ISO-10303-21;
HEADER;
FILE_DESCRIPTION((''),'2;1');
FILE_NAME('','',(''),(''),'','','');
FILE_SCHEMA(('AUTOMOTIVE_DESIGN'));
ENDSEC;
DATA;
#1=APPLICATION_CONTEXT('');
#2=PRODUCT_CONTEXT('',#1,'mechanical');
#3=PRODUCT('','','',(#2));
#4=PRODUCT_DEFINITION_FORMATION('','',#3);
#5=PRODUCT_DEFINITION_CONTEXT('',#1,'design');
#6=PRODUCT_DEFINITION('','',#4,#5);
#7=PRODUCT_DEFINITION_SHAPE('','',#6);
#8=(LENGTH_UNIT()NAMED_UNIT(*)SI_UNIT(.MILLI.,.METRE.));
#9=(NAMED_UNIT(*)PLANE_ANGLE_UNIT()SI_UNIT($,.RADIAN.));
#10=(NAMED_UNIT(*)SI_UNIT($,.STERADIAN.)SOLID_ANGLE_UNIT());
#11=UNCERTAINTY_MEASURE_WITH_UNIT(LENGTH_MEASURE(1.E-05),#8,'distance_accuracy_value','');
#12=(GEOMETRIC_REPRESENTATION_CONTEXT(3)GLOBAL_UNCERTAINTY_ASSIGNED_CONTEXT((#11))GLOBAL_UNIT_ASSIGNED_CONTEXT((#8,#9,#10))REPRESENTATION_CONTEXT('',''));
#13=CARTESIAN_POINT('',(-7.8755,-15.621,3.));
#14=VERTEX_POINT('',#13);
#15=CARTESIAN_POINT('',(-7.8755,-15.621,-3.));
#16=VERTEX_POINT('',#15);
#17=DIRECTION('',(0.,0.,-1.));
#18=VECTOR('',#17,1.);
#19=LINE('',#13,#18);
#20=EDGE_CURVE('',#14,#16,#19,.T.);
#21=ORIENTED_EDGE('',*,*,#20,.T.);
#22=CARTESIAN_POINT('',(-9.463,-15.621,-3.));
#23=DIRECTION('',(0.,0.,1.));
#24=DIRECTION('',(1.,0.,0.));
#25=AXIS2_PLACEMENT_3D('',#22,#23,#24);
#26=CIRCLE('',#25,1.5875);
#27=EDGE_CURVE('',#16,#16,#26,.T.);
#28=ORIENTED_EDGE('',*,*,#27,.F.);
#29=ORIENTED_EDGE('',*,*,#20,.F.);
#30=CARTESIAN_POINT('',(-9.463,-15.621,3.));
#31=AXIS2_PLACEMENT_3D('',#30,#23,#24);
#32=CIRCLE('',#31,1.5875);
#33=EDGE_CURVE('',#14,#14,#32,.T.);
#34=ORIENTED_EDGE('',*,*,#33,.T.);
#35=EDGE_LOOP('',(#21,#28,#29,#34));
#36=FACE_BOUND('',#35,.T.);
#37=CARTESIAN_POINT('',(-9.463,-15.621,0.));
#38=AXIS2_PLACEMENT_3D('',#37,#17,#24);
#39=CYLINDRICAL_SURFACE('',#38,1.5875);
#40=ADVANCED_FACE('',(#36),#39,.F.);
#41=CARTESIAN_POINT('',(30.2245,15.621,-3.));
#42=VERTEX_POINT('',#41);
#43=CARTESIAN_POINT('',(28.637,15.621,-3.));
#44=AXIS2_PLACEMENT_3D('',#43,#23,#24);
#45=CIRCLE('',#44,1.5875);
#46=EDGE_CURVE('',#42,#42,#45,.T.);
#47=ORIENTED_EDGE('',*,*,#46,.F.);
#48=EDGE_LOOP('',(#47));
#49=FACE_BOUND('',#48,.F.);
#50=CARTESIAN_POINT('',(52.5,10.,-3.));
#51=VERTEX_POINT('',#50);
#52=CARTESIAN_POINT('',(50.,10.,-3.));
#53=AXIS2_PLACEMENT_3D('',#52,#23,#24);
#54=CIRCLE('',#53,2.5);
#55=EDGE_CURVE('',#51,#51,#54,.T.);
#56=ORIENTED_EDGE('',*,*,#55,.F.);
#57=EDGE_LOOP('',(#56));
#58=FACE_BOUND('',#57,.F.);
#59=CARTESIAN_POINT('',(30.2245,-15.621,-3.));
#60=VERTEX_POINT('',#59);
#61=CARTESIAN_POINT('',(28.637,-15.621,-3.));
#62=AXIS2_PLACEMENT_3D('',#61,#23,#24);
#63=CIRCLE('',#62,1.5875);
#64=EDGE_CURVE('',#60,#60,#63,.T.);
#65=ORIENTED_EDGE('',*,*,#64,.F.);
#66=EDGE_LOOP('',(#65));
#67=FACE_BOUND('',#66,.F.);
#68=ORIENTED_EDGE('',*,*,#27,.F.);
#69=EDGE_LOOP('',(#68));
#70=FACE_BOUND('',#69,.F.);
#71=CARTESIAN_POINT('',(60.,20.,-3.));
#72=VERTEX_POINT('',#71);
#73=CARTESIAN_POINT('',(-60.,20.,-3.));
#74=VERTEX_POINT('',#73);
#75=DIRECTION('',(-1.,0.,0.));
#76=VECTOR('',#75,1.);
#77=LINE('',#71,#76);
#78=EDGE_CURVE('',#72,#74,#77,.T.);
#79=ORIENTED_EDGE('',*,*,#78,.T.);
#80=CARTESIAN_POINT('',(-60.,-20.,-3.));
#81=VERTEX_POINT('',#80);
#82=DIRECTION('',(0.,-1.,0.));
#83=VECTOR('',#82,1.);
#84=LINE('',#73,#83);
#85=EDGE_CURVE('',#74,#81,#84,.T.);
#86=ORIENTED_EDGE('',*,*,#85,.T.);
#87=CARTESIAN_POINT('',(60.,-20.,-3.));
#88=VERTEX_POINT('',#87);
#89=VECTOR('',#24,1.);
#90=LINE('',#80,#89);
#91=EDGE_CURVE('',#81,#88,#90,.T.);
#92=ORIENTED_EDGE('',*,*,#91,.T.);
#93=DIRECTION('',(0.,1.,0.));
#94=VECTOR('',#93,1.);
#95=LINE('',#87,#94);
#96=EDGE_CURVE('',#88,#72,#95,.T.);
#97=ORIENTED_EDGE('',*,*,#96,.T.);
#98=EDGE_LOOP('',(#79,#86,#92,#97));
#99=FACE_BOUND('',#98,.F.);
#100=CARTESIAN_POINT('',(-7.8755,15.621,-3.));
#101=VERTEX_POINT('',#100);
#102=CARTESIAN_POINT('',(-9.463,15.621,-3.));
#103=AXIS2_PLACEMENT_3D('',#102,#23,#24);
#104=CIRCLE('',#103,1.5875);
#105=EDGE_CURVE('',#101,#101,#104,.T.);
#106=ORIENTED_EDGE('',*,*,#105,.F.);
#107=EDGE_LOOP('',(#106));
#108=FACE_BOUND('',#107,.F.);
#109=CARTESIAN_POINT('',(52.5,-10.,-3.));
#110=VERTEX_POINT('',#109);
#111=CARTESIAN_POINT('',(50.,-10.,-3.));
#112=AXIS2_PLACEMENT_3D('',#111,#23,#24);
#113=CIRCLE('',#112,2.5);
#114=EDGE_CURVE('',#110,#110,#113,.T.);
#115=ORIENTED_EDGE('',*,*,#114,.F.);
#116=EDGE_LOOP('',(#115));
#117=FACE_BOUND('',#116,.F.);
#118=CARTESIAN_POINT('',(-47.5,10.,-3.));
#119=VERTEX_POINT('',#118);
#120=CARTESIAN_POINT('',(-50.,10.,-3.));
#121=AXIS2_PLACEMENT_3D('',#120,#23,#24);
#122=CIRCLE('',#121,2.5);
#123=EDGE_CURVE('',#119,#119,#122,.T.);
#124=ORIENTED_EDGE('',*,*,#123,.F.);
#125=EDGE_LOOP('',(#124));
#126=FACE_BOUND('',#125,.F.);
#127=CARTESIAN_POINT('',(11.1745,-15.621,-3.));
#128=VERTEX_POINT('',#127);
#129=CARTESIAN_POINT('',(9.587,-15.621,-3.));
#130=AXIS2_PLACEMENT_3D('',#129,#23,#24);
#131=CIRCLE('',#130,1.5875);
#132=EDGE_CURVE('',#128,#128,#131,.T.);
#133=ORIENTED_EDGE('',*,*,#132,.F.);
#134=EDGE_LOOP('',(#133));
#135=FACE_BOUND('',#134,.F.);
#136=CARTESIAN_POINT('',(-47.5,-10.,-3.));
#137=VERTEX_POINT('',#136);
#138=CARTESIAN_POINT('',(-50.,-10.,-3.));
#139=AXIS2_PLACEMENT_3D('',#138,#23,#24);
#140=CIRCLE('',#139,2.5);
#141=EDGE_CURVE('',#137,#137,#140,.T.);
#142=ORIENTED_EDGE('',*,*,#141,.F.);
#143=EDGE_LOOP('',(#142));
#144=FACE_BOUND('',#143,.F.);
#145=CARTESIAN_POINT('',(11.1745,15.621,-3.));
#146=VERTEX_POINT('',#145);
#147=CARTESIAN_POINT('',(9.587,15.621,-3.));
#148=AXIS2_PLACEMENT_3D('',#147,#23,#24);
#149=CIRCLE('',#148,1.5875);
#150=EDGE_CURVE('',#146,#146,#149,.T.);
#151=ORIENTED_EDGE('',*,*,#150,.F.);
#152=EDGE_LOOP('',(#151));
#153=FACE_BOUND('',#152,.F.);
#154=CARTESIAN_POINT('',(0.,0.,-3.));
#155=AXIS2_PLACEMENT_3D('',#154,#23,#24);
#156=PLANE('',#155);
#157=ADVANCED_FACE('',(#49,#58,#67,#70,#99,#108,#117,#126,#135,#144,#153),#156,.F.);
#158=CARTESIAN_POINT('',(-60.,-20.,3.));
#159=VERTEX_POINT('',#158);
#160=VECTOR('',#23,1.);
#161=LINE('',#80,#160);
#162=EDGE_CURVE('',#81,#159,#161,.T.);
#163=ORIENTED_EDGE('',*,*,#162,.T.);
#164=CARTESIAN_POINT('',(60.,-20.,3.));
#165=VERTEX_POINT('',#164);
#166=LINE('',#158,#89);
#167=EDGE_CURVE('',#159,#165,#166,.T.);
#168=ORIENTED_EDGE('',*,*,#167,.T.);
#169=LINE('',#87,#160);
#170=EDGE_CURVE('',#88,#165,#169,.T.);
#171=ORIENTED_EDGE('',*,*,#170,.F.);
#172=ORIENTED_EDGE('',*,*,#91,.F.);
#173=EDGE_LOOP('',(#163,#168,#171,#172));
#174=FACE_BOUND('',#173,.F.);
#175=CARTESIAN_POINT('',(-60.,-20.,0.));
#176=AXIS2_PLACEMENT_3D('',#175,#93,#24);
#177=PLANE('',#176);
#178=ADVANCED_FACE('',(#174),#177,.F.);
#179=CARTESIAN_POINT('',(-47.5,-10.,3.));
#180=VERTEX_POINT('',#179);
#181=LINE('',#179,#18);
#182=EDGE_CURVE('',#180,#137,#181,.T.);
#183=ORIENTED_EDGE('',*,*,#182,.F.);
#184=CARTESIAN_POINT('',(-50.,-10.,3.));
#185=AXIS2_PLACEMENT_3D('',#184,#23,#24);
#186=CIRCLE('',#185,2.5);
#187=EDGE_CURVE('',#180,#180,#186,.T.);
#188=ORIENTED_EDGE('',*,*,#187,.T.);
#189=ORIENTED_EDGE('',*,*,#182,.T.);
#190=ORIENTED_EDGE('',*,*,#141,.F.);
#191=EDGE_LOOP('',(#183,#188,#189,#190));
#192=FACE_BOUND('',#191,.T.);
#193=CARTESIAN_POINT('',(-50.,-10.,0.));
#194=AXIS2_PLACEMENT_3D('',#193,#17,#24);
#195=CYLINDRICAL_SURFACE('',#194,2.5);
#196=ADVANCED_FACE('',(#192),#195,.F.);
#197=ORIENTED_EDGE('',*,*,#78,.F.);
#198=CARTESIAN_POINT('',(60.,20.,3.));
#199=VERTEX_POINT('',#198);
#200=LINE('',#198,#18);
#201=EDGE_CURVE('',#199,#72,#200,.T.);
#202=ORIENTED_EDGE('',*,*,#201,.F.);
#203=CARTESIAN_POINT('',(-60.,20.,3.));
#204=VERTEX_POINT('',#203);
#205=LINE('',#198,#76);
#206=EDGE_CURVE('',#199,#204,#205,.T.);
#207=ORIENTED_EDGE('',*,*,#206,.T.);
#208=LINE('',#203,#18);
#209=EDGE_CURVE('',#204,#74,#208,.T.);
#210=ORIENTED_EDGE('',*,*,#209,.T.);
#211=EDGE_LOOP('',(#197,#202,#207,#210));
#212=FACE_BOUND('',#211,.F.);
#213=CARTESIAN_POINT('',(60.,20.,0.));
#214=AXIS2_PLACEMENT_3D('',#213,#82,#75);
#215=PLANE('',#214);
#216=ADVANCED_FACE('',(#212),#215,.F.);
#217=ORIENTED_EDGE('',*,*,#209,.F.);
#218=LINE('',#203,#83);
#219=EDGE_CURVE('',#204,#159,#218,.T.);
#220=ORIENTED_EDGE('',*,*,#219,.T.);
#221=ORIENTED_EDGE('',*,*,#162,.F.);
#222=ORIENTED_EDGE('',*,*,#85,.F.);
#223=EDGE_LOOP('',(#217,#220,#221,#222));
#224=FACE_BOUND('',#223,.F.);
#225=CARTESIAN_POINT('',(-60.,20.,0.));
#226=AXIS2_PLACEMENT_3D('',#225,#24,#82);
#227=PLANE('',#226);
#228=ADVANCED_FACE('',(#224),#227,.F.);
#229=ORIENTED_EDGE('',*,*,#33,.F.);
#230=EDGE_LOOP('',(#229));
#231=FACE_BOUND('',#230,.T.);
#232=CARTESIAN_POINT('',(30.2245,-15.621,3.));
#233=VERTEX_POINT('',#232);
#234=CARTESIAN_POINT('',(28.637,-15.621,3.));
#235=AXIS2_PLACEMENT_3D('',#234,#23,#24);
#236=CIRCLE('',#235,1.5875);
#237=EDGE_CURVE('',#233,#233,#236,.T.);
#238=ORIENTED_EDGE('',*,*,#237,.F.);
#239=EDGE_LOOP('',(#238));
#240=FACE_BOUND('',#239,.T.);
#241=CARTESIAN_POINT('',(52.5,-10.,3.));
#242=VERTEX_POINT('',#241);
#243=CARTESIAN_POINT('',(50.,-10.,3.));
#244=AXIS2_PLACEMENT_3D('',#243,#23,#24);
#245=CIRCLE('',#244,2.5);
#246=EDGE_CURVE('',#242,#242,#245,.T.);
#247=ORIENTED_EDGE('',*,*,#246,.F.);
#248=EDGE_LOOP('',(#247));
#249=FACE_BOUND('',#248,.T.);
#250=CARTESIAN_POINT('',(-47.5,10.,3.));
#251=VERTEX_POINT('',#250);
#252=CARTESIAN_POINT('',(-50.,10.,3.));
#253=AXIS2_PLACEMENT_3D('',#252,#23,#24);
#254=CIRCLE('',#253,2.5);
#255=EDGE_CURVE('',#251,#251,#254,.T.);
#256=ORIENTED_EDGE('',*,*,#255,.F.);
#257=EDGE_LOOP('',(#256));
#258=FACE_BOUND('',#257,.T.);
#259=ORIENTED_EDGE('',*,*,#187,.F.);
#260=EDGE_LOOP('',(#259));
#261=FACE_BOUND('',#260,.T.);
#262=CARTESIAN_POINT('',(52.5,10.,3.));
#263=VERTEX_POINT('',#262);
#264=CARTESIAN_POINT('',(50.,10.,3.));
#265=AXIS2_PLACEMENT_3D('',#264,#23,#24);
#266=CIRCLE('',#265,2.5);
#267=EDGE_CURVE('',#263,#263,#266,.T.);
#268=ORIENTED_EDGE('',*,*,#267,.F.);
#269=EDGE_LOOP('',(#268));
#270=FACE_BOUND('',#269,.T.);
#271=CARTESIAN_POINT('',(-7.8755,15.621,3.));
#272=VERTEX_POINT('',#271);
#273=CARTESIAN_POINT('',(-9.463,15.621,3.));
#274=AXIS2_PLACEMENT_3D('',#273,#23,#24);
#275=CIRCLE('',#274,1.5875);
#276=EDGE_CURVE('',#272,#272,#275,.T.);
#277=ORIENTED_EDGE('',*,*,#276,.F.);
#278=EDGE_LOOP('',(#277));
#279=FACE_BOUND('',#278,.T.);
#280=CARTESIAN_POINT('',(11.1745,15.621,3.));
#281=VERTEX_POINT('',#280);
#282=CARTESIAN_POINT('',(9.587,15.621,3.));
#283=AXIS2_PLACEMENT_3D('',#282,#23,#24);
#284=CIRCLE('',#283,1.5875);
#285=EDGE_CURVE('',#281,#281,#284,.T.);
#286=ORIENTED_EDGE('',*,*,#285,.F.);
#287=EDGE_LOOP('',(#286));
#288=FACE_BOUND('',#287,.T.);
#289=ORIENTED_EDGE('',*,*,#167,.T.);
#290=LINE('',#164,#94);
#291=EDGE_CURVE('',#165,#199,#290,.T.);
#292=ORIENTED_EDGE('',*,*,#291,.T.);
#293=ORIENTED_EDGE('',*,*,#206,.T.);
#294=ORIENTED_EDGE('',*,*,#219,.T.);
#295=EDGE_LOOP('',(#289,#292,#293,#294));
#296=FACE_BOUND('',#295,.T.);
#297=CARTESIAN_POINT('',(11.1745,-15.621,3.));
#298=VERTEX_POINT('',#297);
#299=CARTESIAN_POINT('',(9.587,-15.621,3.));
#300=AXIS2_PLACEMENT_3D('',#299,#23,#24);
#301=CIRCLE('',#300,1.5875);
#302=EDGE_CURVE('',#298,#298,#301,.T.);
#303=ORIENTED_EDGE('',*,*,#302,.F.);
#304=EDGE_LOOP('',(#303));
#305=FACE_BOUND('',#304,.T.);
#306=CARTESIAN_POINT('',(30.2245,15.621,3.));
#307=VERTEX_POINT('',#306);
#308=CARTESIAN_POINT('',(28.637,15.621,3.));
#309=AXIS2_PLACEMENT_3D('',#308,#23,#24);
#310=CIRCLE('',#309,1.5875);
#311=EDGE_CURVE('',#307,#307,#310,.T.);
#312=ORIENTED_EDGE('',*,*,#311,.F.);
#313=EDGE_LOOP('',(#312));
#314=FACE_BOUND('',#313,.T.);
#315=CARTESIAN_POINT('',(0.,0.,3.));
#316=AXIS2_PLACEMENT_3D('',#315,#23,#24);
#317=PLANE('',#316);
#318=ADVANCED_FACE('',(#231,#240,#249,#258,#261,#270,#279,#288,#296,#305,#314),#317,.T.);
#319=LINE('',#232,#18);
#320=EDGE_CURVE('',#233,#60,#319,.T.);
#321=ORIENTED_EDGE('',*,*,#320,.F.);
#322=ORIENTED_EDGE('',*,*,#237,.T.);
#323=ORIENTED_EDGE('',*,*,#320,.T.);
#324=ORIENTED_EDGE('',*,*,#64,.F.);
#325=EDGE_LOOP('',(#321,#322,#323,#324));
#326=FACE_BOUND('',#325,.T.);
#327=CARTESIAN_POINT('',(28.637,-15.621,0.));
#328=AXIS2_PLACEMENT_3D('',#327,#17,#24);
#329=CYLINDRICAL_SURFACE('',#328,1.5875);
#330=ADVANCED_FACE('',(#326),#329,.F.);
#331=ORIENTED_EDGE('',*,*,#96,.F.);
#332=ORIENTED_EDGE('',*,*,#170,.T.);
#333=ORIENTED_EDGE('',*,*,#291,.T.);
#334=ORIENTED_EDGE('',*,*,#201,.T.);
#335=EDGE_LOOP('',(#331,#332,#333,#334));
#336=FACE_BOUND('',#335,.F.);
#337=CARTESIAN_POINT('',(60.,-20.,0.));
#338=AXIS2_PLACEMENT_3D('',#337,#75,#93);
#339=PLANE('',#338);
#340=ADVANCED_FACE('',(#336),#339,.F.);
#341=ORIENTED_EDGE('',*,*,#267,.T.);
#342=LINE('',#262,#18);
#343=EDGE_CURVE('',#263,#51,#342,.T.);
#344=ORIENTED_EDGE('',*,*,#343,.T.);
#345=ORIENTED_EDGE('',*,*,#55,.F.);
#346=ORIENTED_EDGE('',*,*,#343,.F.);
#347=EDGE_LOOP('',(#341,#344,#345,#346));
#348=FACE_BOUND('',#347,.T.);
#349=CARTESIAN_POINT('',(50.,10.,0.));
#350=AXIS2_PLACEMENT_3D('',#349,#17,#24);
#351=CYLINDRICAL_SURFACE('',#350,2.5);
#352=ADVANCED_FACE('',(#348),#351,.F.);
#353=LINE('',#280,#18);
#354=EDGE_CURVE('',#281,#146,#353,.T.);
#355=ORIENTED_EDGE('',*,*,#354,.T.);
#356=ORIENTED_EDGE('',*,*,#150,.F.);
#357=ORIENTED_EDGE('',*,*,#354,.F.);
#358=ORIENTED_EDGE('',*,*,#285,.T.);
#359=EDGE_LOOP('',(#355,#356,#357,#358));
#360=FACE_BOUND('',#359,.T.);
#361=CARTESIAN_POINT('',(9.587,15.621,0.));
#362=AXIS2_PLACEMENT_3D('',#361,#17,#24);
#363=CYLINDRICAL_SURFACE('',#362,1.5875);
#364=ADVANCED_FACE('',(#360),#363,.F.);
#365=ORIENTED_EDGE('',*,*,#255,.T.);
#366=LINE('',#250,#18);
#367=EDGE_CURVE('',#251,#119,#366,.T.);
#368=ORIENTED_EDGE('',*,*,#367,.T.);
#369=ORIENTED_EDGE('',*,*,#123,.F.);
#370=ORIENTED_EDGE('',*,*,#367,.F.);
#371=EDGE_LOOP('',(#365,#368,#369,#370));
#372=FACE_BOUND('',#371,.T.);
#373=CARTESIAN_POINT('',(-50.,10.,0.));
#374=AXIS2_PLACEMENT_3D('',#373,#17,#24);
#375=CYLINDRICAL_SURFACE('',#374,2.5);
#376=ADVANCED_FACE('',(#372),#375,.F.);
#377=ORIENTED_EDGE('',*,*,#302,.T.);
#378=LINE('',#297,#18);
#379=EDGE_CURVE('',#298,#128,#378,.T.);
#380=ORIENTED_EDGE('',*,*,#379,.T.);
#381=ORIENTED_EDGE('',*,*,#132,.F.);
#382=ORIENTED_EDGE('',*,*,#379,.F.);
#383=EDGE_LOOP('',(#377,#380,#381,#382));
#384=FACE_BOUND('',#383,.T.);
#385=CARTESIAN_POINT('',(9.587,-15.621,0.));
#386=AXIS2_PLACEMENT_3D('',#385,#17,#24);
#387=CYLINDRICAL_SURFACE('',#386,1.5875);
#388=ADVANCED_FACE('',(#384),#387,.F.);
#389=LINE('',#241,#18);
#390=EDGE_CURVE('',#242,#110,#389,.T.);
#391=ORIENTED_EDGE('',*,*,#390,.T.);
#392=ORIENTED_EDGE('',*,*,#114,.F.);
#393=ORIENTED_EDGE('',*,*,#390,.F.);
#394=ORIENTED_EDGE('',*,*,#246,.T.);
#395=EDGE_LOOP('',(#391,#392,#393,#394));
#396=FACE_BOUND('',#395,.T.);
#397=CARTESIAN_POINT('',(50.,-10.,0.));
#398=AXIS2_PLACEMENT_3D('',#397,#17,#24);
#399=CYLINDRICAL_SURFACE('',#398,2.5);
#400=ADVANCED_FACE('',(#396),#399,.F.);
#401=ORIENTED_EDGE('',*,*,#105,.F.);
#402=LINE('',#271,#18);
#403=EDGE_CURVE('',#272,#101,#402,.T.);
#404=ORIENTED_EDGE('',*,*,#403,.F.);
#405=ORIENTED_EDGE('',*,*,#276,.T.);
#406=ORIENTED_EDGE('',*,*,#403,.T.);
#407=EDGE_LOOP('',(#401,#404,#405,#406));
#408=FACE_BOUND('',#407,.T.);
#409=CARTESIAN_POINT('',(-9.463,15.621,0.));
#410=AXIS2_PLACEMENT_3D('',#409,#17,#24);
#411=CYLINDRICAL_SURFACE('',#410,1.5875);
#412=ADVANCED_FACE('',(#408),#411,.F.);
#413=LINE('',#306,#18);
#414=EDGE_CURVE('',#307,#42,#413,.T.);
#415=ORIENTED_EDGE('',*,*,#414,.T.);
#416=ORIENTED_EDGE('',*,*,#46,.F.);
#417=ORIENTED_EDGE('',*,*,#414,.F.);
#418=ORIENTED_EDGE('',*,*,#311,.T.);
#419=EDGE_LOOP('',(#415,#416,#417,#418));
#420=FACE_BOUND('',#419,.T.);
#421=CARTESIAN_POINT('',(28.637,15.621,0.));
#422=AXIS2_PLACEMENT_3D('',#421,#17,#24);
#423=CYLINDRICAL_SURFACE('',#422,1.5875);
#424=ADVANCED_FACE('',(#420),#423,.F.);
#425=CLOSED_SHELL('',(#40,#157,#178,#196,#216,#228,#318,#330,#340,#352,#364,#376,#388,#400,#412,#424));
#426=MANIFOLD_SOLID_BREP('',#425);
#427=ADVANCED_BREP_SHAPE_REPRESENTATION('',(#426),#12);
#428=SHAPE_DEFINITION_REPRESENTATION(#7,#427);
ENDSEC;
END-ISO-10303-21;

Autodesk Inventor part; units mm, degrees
ref_plane "YZ Plane" through (0, 0, 0) normal (1, 0, 0) x (0, 1, 0)
ref_plane "XZ Plane" through (0, 0, 0) normal (0, 1, 0) x (-1, 0, 0)
ref_plane "XY Plane" through (0, 0, 0) normal (0, 0, 1) x (1, 0, 0)
sketch "Sketch1" plane through (0, 0, 0) normal (0, 0, 1) x (1, 0, 0)
  line L0 (-60, -20) -> (60, -20)
  line L1 (60, -20) -> (60, 20)
  line L2 (60, 20) -> (-60, 20)
  line L3 (-60, 20) -> (-60, -20)
  line L4 (-60, -20) -> (60, 20) construction
  line L5 (60, -20) -> (-60, 20) construction
  circle A0 centre (28.637, -15.621) radius 1.5875
  circle A1 centre (9.587, -15.621) radius 1.5875
  circle A2 centre (-9.463, -15.621) radius 1.5875
  circle A3 centre (28.637, 15.621) radius 1.5875
  circle A4 centre (9.587, 15.621) radius 1.5875
  circle A5 centre (-9.463, 15.621) radius 1.5875
  circle A6 centre (50, -10) radius 2.5
  circle A7 centre (50, 10) radius 2.5
  circle A8 centre (-50, -10) radius 2.5
  circle A9 centre (-50, 10) radius 2.5
  point P0 (0, 0)
  dimension "d0" = 120
  dimension "d1" = 40
  dimension "d4" = 3.175
  dimension "d5" = 3.175
  dimension "d6" = 3.175
  dimension "d7" = 3.175
  dimension "d8" = 3.175
  dimension "d9" = 3.175
  dimension "d10" = 31.242
  dimension "d11" = 19.05
  dimension "d12" = 19.05
  dimension "d13" = 31.363
  dimension "d14" = 5
  dimension "d15" = 5
  dimension "d16" = 5
  dimension "d17" = 5
  dimension "d20" = 10
  dimension "d21" = 10
  dimension "d22" = 20
  dimension "d23" = 10
  dimension "d26" = 4.379
extrude "Extrusion2" add sketch "Sketch1" along normal mid plane 6
properties part number "motor_bracket_base"
